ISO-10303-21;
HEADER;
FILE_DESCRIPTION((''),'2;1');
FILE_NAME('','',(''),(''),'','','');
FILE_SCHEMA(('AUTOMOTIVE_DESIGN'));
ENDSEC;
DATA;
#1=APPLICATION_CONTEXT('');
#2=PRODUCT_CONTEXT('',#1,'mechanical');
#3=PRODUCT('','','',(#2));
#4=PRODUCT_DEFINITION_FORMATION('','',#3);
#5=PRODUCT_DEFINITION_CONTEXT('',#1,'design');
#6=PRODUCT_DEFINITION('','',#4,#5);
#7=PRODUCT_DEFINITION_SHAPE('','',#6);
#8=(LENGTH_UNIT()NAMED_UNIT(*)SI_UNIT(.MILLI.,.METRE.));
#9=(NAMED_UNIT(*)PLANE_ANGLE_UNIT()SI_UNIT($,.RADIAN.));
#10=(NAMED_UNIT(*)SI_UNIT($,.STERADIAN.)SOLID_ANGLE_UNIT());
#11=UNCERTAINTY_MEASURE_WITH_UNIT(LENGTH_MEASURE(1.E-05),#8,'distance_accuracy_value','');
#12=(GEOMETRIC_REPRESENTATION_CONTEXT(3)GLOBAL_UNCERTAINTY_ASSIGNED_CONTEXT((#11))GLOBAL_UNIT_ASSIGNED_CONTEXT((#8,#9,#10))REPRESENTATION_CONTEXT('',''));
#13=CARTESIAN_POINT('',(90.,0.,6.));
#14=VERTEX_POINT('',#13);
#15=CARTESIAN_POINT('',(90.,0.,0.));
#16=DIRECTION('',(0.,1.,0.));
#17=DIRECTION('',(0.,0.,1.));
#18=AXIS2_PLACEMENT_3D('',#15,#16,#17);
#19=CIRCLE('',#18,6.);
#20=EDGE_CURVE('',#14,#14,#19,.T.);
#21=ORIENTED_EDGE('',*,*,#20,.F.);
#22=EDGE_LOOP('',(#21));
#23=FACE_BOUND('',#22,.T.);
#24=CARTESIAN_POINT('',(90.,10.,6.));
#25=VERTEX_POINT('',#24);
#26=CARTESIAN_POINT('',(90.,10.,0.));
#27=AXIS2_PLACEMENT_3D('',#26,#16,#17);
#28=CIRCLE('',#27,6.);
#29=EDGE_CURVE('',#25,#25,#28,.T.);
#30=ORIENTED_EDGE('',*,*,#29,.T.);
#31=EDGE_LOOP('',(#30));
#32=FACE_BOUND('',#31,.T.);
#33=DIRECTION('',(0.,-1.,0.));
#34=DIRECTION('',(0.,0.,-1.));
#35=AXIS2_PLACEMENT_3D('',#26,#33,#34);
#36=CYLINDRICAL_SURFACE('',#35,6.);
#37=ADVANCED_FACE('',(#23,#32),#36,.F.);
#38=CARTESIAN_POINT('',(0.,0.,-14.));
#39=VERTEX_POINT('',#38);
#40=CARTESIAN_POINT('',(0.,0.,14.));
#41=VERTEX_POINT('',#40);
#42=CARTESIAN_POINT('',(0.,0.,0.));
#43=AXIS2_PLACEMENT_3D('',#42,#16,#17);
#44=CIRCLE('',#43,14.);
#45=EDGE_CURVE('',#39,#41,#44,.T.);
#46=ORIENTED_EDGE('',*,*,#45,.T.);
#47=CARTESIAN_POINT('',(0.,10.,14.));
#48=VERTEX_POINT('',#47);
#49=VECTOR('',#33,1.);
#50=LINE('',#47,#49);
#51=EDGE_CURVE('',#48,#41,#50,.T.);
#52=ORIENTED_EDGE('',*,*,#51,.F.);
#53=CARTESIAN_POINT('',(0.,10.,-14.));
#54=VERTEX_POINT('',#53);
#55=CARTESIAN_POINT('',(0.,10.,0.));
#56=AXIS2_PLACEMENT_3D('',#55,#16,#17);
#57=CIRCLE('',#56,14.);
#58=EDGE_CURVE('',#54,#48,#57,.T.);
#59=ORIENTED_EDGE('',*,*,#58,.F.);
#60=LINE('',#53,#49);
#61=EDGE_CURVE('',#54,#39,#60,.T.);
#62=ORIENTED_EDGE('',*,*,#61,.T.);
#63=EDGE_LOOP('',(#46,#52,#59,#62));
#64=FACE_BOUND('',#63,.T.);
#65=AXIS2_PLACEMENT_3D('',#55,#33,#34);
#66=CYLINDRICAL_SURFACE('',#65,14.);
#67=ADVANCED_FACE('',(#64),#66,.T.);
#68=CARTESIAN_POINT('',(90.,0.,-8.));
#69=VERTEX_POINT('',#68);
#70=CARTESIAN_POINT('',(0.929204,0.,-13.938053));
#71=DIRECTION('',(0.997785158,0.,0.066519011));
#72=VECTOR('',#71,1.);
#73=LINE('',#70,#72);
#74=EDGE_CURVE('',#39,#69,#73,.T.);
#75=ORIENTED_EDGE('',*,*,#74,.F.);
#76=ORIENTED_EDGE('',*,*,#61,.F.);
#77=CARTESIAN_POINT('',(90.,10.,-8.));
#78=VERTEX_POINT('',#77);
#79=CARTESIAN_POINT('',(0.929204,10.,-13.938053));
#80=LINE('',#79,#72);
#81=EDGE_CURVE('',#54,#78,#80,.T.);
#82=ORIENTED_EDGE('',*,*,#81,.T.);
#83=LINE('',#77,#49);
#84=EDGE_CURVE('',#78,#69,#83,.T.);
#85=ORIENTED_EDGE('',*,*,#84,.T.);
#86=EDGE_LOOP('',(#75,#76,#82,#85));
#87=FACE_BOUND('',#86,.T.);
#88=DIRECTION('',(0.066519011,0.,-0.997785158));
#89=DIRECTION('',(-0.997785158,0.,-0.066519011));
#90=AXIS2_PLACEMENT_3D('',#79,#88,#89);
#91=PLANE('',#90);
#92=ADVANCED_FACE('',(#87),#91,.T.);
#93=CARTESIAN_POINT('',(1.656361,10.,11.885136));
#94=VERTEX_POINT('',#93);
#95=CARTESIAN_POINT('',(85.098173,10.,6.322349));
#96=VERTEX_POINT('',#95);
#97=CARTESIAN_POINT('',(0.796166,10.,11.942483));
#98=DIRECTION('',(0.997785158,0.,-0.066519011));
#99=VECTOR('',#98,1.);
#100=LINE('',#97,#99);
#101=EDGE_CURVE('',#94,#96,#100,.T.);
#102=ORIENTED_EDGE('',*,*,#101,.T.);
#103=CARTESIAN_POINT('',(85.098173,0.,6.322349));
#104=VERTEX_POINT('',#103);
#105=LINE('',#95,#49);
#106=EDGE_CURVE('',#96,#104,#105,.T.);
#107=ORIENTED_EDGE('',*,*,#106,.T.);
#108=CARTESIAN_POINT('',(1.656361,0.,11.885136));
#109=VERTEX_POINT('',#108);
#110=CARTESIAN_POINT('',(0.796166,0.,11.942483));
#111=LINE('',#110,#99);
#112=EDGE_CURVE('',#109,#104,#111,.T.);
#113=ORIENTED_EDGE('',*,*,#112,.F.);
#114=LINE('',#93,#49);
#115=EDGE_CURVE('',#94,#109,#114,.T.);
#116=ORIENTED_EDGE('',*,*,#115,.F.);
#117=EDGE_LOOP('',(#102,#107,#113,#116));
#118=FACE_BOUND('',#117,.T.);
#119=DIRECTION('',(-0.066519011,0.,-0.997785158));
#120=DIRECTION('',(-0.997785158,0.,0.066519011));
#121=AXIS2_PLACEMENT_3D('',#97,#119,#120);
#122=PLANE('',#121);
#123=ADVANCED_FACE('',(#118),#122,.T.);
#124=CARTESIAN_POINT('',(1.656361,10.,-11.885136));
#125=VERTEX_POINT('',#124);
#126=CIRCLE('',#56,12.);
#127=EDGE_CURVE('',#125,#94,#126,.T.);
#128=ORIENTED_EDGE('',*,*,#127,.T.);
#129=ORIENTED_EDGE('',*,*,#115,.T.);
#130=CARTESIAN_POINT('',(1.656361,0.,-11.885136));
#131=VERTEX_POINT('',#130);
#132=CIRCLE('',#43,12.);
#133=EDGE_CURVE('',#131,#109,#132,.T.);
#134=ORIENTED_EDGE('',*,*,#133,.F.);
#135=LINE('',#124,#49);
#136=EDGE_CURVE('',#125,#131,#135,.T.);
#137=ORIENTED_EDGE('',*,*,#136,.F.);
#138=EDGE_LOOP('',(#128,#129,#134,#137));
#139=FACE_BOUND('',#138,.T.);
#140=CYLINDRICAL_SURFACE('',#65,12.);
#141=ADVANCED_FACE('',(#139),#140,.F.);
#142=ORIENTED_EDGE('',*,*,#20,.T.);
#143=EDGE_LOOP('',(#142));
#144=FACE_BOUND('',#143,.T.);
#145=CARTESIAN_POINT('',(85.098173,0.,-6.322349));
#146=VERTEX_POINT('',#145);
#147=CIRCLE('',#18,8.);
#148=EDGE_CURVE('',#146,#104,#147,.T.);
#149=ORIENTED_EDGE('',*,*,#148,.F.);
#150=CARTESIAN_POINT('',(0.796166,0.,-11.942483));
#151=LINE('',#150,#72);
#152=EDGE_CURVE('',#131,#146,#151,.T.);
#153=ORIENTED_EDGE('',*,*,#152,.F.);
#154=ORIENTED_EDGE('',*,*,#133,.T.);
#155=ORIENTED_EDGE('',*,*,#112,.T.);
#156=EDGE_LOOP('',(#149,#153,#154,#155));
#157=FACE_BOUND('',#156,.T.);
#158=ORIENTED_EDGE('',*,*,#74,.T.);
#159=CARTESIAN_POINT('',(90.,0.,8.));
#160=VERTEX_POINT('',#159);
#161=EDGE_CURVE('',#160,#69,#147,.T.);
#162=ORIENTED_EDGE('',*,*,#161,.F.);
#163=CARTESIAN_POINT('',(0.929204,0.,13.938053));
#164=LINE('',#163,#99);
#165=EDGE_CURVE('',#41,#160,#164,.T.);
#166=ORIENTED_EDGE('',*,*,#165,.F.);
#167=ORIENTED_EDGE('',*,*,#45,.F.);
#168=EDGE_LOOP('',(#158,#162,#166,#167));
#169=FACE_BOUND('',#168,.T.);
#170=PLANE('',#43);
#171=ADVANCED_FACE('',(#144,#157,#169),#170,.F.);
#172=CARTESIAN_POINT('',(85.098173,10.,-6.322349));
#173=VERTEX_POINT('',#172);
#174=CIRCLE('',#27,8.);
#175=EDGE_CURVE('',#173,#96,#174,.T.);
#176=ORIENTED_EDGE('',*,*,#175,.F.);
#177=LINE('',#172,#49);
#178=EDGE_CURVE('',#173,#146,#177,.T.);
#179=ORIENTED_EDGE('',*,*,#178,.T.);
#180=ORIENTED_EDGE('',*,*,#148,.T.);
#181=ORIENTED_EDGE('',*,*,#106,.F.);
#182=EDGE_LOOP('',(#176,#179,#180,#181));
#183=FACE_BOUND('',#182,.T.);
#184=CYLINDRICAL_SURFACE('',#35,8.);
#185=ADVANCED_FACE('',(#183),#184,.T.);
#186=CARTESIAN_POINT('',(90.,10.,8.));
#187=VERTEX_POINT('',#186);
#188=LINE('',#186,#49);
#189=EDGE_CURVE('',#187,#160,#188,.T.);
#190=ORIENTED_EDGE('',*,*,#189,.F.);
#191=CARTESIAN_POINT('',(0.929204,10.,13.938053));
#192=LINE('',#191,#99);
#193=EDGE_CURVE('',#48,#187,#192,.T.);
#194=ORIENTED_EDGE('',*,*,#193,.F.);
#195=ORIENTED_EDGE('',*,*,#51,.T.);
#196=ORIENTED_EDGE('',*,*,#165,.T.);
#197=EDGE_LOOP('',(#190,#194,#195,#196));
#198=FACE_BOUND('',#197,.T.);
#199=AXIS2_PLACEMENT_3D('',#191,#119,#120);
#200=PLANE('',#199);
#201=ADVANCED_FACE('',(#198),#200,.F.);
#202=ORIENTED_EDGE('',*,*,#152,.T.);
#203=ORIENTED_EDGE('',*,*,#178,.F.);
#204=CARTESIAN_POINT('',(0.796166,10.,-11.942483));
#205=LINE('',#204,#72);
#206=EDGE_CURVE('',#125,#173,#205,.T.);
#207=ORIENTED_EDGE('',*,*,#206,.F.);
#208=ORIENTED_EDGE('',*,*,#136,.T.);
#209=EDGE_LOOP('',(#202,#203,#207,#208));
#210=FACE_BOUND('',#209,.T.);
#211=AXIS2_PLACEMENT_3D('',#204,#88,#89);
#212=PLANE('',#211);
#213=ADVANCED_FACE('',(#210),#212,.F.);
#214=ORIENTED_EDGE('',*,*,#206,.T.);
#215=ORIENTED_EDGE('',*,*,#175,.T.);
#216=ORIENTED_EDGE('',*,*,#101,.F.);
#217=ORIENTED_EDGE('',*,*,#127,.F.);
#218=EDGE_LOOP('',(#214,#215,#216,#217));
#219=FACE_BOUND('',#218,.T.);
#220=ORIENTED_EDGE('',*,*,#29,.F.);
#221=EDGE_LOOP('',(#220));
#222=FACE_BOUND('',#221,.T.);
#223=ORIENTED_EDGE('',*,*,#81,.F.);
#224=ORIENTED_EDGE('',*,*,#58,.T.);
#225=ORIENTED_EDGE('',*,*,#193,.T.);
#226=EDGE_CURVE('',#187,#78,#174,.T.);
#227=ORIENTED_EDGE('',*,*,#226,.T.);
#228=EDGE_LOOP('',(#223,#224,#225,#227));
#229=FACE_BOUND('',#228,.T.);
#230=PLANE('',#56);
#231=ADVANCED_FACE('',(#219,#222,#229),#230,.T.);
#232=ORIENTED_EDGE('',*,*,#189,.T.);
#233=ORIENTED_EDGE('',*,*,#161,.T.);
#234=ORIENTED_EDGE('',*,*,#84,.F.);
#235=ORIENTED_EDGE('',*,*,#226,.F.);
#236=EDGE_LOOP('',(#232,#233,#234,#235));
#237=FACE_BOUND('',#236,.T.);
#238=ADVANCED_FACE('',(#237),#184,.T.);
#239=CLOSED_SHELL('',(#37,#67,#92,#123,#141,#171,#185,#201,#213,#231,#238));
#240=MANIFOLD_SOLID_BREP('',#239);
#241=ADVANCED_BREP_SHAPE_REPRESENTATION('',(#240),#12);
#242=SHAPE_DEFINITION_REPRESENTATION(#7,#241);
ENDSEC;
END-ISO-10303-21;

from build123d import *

# Parameters (mm, degrees)
SKETCH1_R           = 6
BOSS_EXTRUDE1_DEPTH = 10


with BuildPart() as part:
    # Sketch1 → Boss-Extrude1 (new body)
    with BuildSketch(Plane(origin=(0, 0, 0), x_dir=(1, 0, 0), z_dir=(0, 1, 0))):
        with BuildLine():
            ThreePointArc((0, 14), (-14, 0), (0, -14))
            Line((0, -14), (90, -8))
            ThreePointArc((90, -8), (98, 0), (90, 8))
            Line((90, 8), (0, 14))
        make_face()
        with BuildLine():
            ThreePointArc((1.65636135, -11.885136393), (0.798228126, -11.973421894), (-0.064030313, -11.99982917))
            ThreePointArc((-0.064030313, -11.99982917), (-12, 0), (-0.064030313, 11.99982917))
            ThreePointArc((-0.064030313, 11.99982917), (0.798228126, 11.973421894), (1.65636135, 11.885136393))
            Line((1.65636135, 11.885136393), (85.098173392, 6.322348923))
            ThreePointArc((85.098173392, 6.322348923), (82, 0), (85.098173392, -6.322348923))
            Line((85.098173392, -6.322348923), (1.65636135, -11.885136393))
        make_face(mode=Mode.SUBTRACT)
        with Locations((90, 0)):
            Circle(SKETCH1_R, mode=Mode.SUBTRACT)
    extrude(amount=BOSS_EXTRUDE1_DEPTH)


solid = part.part
